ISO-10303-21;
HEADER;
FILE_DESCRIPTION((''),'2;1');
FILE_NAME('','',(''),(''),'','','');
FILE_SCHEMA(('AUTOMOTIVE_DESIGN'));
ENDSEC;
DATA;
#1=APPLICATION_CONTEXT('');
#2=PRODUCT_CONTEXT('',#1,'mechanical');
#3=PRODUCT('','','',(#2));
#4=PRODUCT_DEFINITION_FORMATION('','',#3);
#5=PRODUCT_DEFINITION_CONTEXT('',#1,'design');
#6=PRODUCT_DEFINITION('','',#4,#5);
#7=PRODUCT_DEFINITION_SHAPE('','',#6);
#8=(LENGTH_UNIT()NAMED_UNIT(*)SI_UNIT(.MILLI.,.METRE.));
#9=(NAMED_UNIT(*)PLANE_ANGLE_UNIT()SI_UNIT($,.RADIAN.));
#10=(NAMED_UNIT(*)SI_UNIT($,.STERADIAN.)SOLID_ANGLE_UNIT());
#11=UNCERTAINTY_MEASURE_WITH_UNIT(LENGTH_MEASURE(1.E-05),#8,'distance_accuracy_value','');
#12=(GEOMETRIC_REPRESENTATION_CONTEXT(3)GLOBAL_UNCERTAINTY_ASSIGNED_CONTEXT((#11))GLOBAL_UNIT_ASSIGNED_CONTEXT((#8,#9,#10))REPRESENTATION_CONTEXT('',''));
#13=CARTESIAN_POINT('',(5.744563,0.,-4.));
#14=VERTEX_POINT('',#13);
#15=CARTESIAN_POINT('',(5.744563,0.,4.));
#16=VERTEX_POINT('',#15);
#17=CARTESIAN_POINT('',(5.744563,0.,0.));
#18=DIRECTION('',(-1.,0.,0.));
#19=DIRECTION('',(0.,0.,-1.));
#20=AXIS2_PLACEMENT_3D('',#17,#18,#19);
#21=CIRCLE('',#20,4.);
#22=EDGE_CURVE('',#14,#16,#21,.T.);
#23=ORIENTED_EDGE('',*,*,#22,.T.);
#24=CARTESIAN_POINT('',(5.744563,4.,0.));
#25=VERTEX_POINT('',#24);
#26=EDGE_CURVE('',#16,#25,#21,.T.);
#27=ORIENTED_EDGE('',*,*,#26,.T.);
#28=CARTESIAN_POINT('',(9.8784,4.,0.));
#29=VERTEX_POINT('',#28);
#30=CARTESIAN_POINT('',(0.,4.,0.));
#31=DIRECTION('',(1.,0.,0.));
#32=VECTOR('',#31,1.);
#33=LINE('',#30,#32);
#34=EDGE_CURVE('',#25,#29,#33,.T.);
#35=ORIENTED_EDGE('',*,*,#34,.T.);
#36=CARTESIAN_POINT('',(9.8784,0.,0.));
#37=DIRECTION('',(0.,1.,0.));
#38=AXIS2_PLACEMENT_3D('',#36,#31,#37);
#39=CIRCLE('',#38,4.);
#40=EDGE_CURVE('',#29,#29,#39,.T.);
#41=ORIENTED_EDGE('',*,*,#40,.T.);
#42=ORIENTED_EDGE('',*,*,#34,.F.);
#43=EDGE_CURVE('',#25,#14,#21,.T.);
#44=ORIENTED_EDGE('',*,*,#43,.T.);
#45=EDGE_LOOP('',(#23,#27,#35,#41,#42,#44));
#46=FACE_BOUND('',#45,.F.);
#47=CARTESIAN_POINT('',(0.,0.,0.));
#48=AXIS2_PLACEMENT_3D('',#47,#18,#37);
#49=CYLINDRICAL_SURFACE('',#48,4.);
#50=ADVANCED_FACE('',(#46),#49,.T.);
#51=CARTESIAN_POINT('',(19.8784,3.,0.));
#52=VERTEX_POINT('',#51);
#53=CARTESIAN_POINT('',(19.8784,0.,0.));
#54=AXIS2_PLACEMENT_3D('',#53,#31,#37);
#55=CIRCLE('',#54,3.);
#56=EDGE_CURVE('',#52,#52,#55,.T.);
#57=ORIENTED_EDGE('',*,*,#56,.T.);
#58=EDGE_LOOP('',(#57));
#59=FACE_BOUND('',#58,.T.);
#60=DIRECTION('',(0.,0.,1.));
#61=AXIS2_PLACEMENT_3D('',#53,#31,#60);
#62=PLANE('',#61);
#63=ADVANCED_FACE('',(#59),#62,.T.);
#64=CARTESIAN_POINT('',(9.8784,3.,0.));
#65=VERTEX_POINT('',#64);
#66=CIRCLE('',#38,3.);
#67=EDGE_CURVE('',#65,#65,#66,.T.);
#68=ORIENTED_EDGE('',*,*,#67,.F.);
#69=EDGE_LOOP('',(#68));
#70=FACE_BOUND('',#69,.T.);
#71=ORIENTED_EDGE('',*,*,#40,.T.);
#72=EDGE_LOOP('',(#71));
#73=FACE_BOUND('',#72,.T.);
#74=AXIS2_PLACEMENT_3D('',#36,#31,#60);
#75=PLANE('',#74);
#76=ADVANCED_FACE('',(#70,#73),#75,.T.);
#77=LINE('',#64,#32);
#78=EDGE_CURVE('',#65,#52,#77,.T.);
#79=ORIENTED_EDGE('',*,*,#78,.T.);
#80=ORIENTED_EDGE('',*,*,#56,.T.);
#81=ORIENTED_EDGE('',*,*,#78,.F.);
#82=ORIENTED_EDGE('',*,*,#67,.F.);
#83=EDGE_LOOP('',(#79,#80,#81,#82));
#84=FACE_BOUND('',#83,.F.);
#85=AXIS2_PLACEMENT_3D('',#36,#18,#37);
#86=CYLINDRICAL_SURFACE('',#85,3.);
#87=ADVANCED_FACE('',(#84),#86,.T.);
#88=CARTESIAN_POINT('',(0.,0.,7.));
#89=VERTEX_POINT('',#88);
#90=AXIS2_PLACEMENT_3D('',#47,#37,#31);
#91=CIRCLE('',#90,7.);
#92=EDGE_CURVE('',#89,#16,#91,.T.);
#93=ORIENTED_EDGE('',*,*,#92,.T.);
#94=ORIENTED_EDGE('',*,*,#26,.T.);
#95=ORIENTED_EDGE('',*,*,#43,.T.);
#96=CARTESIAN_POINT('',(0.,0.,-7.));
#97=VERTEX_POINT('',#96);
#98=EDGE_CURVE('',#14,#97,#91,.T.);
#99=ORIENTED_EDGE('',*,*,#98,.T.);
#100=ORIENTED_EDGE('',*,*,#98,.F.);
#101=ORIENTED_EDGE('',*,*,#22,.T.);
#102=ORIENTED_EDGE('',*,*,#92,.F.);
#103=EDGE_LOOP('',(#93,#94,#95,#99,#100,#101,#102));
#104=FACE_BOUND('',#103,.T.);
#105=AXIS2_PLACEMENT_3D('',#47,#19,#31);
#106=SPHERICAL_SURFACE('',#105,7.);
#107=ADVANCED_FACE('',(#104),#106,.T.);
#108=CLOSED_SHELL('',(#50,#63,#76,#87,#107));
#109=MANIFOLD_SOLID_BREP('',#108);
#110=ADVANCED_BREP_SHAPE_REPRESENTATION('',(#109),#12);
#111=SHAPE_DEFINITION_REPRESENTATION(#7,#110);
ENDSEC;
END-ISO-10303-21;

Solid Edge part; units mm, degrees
sketch "Sketch1" plane through (0, 0, 0) normal (0, -1, 0) x (1, 0, 0)
  arc A0 (0, 7) -> (0, -7) centre (0, 0) cw
  dimension "D1" = 7
revolve "RevolvedProtrusion1" add sketch "Sketch1" angle 360 about axis through (0, 0, 7) along (0, 0, -1)
sketch "Sketch2" plane through (0, 0, 0) normal (1, 0, 0) x (0, 1, 0)
  circle A0 centre (0, 0) radius 4
extrude "Protrusion1" add sketch "Sketch2" along normal blind 9.8784
sketch "Sketch3" plane through (9.8784, 0, 0) normal (1, 0, 0) x (0, 1, 0)
  circle A0 centre (0, 0) radius 3
extrude "ExtrudedProtrusion_2" add sketch "Sketch3" along normal blind 10
cosmetic_thread "Thread1" size "M6"
properties material "Steel"
